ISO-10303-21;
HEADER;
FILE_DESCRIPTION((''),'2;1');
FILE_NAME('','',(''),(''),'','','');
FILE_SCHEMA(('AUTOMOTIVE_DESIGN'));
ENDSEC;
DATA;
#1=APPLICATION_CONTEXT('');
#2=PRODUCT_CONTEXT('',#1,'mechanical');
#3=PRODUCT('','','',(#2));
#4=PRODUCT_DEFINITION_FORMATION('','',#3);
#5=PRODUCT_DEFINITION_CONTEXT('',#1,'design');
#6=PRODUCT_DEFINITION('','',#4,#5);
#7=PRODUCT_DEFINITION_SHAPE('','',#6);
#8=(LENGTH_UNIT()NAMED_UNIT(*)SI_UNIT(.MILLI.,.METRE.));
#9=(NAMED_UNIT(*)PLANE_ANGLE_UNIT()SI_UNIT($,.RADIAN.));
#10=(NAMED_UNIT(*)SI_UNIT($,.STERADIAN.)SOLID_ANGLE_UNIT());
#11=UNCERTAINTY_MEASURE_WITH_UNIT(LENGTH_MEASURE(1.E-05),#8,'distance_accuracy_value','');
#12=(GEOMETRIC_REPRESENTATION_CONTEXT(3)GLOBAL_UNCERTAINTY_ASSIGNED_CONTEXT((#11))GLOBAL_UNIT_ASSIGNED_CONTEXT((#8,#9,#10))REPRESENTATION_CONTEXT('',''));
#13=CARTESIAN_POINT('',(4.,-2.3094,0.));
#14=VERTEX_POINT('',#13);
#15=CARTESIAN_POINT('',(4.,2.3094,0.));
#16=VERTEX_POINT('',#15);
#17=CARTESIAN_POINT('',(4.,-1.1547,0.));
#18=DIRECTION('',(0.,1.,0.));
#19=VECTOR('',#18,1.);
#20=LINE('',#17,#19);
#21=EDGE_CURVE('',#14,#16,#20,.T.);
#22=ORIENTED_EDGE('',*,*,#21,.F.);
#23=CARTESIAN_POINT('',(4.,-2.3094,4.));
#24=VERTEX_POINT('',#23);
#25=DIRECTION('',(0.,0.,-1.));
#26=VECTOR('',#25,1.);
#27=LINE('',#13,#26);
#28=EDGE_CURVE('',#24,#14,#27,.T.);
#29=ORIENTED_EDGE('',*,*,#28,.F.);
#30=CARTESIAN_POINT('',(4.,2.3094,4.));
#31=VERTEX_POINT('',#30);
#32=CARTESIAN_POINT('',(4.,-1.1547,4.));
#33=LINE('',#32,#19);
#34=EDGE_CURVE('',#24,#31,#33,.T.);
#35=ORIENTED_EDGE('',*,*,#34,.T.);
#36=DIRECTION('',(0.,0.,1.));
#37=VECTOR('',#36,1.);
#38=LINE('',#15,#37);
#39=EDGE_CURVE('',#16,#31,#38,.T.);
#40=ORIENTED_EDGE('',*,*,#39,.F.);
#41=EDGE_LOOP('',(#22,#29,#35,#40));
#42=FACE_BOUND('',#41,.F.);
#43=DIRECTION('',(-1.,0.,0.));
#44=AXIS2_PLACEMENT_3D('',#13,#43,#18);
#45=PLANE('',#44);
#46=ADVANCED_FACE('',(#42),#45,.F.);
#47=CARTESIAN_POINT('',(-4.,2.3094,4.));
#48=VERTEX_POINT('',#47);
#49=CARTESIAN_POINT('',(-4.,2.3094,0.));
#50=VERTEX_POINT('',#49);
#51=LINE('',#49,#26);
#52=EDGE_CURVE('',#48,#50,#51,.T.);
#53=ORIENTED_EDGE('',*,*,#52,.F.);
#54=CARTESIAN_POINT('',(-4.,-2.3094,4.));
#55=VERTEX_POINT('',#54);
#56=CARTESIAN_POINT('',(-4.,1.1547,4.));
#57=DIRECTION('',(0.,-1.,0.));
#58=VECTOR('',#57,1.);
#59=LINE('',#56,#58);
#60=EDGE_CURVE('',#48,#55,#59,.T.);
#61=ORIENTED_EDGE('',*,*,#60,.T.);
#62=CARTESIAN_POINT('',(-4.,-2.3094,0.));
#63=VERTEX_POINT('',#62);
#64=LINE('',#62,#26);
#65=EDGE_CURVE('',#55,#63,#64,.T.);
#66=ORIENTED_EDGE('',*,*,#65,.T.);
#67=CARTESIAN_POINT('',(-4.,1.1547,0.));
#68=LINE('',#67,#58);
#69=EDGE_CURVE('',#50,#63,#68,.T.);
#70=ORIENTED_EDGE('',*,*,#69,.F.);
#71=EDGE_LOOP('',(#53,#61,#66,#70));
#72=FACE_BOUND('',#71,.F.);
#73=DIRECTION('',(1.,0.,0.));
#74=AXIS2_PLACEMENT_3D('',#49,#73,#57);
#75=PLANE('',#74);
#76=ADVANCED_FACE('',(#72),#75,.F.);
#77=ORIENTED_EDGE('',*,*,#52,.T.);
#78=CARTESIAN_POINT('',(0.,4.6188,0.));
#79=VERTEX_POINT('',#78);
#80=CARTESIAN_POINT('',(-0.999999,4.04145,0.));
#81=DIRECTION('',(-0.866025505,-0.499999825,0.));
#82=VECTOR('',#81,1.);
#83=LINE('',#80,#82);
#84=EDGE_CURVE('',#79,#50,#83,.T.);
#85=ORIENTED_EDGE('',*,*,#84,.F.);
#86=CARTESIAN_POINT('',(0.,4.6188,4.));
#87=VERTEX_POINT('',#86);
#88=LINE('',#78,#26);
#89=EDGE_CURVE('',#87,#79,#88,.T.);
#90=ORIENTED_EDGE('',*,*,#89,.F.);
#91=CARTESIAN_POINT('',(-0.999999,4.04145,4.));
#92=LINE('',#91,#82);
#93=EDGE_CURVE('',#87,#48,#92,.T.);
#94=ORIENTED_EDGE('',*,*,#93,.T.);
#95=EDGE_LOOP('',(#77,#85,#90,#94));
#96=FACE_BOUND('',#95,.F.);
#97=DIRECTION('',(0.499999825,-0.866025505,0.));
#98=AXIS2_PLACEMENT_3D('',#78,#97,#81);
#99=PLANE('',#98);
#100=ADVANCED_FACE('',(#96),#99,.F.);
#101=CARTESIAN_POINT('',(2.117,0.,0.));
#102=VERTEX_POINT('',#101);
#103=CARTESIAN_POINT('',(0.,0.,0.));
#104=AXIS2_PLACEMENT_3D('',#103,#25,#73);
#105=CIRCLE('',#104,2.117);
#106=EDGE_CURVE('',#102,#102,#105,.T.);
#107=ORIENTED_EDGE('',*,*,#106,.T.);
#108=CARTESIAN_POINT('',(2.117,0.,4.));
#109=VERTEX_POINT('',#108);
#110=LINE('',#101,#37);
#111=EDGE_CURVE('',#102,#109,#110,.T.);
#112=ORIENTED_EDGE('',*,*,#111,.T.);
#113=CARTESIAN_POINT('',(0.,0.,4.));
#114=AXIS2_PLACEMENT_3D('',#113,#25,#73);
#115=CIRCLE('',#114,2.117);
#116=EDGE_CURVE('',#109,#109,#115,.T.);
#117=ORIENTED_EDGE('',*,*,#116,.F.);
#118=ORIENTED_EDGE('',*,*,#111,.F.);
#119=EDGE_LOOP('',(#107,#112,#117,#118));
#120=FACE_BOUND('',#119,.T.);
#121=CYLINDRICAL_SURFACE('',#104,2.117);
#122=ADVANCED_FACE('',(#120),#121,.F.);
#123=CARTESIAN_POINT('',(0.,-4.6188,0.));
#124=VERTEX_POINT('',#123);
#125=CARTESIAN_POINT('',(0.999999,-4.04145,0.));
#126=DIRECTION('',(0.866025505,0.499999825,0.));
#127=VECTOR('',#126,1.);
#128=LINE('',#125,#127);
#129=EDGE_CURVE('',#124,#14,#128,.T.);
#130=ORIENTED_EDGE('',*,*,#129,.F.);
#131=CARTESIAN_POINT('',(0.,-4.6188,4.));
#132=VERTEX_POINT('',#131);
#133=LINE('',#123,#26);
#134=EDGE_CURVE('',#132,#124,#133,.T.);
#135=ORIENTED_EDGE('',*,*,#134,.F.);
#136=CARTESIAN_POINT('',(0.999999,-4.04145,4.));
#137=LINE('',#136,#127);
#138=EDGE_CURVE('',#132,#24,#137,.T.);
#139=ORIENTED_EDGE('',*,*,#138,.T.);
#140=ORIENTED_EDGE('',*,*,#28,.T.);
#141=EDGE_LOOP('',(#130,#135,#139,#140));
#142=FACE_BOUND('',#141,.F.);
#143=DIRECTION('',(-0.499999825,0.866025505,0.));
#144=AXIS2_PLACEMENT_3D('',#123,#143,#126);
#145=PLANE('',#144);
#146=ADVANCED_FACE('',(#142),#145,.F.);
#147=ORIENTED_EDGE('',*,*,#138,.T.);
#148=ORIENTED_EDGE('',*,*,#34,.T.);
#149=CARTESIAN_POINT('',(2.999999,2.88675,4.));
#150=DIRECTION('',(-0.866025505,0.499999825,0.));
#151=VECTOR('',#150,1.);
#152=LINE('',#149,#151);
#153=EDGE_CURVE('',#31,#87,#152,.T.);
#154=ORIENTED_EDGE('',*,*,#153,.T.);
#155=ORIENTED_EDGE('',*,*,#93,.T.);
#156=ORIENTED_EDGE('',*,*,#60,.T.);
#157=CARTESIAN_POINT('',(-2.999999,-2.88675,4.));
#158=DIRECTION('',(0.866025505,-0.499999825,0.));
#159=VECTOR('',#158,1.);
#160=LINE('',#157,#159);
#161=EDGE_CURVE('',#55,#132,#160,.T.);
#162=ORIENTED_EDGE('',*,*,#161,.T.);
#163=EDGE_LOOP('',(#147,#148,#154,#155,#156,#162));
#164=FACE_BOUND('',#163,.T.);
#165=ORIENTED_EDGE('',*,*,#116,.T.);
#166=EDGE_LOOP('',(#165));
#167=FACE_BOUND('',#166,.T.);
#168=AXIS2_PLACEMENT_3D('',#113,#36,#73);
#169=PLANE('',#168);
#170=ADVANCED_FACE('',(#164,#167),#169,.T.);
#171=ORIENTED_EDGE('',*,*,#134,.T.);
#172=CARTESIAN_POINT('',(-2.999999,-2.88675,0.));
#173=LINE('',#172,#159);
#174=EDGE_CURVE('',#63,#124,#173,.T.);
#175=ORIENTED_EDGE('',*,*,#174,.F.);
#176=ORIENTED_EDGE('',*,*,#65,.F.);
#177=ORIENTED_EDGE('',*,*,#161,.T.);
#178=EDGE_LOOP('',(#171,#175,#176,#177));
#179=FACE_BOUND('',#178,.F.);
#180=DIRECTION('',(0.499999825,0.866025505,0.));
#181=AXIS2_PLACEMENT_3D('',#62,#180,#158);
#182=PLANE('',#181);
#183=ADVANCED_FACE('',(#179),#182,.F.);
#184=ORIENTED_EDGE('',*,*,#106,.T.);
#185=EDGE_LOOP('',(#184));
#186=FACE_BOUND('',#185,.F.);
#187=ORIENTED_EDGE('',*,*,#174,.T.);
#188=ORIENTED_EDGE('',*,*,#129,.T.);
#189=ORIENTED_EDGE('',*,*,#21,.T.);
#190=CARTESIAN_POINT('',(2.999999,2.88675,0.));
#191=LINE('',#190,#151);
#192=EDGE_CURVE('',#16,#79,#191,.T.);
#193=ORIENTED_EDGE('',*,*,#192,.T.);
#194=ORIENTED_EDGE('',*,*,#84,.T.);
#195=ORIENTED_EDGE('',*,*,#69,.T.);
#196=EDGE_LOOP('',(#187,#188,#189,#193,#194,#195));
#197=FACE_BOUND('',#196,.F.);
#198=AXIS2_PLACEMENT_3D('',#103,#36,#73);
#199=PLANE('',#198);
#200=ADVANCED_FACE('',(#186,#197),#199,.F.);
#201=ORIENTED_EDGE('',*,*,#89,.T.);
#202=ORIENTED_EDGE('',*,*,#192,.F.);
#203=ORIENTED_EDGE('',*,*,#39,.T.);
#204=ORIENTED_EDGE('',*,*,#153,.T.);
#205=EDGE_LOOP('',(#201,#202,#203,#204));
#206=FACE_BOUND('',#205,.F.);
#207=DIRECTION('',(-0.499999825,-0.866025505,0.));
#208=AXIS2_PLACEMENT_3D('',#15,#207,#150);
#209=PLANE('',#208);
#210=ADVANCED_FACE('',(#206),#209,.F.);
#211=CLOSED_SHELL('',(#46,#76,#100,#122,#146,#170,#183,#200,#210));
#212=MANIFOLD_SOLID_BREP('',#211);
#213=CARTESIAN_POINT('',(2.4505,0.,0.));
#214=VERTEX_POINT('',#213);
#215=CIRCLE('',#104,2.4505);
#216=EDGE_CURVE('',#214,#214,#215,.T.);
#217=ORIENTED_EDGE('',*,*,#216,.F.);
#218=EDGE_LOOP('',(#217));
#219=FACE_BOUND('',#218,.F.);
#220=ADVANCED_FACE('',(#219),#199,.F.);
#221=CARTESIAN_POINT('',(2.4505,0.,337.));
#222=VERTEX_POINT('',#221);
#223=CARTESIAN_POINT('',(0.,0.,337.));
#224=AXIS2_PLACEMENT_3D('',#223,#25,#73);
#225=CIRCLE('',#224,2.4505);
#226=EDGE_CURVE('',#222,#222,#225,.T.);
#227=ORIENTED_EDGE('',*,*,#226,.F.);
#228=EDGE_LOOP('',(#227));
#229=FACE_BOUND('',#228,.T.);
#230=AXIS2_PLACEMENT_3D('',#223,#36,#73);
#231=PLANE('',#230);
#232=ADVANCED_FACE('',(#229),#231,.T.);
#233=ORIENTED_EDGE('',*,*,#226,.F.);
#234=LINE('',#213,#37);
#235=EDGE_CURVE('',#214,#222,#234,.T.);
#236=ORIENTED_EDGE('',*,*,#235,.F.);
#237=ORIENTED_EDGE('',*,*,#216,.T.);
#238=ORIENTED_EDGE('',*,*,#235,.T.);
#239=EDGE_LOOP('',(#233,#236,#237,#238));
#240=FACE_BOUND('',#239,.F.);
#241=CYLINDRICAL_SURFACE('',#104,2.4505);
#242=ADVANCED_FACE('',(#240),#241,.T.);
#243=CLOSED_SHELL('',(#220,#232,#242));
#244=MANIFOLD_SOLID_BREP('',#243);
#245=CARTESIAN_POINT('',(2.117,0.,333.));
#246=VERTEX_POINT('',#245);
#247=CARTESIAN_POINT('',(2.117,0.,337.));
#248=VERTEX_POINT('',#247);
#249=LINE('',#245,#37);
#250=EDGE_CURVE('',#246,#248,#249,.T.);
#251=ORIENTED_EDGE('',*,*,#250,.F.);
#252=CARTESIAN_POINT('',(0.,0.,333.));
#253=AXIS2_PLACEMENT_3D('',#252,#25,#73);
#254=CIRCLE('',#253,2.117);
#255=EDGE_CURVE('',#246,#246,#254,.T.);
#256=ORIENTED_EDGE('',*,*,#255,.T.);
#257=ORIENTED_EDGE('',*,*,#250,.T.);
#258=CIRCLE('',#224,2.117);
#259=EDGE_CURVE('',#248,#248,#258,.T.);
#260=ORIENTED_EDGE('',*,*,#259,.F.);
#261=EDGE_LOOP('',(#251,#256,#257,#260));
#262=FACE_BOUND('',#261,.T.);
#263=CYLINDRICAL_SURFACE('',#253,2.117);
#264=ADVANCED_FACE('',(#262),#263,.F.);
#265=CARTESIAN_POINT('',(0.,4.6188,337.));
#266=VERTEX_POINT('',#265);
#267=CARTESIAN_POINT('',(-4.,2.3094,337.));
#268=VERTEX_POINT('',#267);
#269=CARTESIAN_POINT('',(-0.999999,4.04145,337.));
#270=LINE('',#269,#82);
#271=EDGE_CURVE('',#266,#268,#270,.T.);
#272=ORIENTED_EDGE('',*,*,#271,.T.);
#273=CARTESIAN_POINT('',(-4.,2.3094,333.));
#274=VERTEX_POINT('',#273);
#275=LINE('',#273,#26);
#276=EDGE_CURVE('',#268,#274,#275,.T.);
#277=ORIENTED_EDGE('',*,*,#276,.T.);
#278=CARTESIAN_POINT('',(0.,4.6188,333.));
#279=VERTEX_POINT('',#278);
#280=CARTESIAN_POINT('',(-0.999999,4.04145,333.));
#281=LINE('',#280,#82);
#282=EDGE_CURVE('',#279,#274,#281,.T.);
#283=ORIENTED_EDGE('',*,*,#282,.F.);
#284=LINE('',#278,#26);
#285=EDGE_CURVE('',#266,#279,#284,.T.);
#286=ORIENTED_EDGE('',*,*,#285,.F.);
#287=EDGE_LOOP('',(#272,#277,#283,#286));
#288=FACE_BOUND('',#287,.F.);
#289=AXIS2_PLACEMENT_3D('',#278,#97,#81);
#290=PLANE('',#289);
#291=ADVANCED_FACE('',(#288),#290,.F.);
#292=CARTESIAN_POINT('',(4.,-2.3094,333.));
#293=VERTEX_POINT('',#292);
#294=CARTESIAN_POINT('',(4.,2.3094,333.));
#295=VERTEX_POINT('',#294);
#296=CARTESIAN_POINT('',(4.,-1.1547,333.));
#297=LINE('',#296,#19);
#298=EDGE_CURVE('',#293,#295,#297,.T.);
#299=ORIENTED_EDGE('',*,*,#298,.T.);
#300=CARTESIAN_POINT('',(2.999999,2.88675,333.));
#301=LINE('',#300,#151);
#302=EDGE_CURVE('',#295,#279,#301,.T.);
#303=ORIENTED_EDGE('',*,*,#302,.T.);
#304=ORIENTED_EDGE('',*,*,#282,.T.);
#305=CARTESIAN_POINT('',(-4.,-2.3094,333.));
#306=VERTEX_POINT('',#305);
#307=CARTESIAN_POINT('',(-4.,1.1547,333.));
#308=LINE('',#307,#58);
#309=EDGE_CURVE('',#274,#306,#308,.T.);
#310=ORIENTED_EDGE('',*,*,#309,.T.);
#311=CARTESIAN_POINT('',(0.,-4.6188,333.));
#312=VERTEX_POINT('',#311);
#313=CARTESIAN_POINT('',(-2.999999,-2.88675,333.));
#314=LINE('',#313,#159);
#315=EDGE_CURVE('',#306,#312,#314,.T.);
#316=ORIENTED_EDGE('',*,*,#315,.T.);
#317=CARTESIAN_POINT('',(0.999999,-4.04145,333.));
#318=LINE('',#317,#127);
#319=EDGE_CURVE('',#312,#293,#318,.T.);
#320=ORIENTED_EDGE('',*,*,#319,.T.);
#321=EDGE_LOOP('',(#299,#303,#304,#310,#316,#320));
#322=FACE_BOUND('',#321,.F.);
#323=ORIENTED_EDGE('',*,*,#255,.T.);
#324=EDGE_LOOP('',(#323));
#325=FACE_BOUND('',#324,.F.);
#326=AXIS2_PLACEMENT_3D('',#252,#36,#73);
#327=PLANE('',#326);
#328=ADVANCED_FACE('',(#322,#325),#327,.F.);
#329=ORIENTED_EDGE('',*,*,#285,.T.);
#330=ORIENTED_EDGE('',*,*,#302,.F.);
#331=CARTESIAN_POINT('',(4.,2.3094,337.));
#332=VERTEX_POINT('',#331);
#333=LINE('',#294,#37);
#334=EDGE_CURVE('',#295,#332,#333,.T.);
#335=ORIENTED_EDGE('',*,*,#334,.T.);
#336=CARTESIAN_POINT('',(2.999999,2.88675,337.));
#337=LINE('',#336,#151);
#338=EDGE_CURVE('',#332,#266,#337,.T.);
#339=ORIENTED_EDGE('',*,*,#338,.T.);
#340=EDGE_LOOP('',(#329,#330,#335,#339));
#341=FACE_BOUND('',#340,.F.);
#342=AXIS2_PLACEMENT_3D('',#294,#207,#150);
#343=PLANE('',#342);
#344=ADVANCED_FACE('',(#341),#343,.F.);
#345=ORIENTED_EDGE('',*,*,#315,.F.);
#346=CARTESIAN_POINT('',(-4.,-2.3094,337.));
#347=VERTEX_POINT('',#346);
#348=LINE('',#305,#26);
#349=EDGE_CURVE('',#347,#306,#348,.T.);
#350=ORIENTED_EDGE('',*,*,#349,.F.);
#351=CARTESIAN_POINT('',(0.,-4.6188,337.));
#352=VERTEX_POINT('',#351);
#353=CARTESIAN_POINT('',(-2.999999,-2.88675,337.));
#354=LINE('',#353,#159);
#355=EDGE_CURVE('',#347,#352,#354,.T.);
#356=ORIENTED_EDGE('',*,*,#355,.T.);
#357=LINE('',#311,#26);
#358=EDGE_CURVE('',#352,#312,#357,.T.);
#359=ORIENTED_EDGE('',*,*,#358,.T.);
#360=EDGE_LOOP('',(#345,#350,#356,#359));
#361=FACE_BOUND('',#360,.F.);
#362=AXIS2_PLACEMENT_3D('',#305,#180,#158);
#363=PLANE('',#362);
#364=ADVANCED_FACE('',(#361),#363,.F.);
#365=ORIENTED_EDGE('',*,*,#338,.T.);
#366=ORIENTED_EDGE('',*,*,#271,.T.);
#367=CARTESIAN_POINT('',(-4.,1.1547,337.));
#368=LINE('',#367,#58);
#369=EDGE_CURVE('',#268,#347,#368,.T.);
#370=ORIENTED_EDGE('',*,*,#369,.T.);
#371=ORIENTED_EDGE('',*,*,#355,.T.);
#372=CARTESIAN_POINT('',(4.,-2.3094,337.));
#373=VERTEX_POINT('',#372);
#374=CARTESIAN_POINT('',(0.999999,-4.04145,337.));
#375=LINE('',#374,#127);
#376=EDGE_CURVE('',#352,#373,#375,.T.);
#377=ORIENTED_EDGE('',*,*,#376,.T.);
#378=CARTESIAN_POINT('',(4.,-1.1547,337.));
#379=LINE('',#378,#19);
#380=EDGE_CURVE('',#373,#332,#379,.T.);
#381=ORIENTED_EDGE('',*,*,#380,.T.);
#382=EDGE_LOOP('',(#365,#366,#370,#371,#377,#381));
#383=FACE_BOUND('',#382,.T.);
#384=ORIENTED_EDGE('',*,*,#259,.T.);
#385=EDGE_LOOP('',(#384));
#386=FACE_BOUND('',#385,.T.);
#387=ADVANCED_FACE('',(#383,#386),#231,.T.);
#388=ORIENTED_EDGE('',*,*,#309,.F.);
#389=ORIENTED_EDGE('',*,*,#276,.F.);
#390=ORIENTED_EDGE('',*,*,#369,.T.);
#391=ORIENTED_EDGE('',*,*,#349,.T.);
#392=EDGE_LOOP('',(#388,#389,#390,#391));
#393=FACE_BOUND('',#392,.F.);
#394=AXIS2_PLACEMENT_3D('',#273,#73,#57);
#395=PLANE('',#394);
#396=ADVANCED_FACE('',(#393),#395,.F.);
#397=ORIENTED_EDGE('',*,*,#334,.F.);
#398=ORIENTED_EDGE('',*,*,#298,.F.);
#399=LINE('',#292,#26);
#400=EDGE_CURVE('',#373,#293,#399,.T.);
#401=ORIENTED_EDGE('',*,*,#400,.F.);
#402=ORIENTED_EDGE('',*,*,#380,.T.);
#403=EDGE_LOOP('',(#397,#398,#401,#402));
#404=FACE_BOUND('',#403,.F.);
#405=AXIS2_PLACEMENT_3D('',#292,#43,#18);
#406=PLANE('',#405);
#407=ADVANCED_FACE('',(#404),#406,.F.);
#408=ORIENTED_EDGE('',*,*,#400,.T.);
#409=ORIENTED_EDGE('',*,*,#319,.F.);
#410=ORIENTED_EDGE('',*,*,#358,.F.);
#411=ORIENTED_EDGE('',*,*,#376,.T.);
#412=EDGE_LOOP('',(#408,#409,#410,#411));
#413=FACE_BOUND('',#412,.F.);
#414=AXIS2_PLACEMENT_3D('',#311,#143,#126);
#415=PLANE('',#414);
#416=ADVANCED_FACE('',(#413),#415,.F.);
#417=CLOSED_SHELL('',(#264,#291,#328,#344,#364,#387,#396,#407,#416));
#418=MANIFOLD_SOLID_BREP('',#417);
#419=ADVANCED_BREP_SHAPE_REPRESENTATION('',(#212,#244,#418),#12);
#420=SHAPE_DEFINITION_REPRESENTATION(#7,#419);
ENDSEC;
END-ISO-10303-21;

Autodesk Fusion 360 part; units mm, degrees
sketch "Esquisse1" plane through (0, 0, 0) normal (0, 0, 1) x (1, 0, 0) in component "threaded shaft"
  circle A0 centre (0, 0) radius 2.5
  dimension "d1" = 5
extrude "Extrusion1" add sketch "Esquisse1" along normal blind 337 makes body 1 in component "threaded shaft"
thread "Filetage1" "ISO Metric profile 5.0 M5x0.8 6g" major diameter 4.901 minor diameter 3.9895 pitch 0.8 angle 60 resizes the face on face at (2.4905, -0.2179, 224.6667) on bodies 1 in component "threaded shaft"
sketch "Esquisse2" plane through (0, 0, 0) normal (0, 0, 1) x (1, 0, 0) in component "Bolt"
  circle A0 centre (0, 0) radius 2.5
  circle A1 centre (0, 0) radius 4 construction
  line L0 (4, 2.3094) -> (0, 4.6188)
  line L1 (0, 4.6188) -> (-4, 2.3094)
  line L2 (-4, 2.3094) -> (-4, -2.3094)
  line L3 (-4, -2.3094) -> (0, -4.6188)
  line L4 (0, -4.6188) -> (4, -2.3094)
  line L5 (4, -2.3094) -> (4, 2.3094)
  dimension "d4" = 5
  dimension "d5" = 8
  dimension "d6" = 8
extrude "Extrusion2" add sketch "Esquisse2" along normal blind 4 separate body makes body 2 in component "Bolt"
copy_body "CutPasteBodies1" bodies 2 removing the originals makes body 3 in component "Bolt"
thread "Filetage1'" "ISO Metric profile 5.0 M5x0.8 6H" major diameter 5.12 minor diameter 4.234 pitch 0.8 angle 60 resizes the face on face at (2.4969, -0.1246, 2.6667) on bodies 3 in component "Bolt"
component "threaded shaft" placed x (1, 0, 0) y (0, 1, 0) z (0, 0, 1) at (0, 0, 0)
component "Bolt" placed x (1, 0, 0) y (0, 1, 0) z (0, 0, 1) at (0, 0, 0)
component "Bolt" placed x (1, 0, 0) y (0, 1, 0) z (0, 0, 1) at (0, 0, 333)
equation "d6 = d5"
